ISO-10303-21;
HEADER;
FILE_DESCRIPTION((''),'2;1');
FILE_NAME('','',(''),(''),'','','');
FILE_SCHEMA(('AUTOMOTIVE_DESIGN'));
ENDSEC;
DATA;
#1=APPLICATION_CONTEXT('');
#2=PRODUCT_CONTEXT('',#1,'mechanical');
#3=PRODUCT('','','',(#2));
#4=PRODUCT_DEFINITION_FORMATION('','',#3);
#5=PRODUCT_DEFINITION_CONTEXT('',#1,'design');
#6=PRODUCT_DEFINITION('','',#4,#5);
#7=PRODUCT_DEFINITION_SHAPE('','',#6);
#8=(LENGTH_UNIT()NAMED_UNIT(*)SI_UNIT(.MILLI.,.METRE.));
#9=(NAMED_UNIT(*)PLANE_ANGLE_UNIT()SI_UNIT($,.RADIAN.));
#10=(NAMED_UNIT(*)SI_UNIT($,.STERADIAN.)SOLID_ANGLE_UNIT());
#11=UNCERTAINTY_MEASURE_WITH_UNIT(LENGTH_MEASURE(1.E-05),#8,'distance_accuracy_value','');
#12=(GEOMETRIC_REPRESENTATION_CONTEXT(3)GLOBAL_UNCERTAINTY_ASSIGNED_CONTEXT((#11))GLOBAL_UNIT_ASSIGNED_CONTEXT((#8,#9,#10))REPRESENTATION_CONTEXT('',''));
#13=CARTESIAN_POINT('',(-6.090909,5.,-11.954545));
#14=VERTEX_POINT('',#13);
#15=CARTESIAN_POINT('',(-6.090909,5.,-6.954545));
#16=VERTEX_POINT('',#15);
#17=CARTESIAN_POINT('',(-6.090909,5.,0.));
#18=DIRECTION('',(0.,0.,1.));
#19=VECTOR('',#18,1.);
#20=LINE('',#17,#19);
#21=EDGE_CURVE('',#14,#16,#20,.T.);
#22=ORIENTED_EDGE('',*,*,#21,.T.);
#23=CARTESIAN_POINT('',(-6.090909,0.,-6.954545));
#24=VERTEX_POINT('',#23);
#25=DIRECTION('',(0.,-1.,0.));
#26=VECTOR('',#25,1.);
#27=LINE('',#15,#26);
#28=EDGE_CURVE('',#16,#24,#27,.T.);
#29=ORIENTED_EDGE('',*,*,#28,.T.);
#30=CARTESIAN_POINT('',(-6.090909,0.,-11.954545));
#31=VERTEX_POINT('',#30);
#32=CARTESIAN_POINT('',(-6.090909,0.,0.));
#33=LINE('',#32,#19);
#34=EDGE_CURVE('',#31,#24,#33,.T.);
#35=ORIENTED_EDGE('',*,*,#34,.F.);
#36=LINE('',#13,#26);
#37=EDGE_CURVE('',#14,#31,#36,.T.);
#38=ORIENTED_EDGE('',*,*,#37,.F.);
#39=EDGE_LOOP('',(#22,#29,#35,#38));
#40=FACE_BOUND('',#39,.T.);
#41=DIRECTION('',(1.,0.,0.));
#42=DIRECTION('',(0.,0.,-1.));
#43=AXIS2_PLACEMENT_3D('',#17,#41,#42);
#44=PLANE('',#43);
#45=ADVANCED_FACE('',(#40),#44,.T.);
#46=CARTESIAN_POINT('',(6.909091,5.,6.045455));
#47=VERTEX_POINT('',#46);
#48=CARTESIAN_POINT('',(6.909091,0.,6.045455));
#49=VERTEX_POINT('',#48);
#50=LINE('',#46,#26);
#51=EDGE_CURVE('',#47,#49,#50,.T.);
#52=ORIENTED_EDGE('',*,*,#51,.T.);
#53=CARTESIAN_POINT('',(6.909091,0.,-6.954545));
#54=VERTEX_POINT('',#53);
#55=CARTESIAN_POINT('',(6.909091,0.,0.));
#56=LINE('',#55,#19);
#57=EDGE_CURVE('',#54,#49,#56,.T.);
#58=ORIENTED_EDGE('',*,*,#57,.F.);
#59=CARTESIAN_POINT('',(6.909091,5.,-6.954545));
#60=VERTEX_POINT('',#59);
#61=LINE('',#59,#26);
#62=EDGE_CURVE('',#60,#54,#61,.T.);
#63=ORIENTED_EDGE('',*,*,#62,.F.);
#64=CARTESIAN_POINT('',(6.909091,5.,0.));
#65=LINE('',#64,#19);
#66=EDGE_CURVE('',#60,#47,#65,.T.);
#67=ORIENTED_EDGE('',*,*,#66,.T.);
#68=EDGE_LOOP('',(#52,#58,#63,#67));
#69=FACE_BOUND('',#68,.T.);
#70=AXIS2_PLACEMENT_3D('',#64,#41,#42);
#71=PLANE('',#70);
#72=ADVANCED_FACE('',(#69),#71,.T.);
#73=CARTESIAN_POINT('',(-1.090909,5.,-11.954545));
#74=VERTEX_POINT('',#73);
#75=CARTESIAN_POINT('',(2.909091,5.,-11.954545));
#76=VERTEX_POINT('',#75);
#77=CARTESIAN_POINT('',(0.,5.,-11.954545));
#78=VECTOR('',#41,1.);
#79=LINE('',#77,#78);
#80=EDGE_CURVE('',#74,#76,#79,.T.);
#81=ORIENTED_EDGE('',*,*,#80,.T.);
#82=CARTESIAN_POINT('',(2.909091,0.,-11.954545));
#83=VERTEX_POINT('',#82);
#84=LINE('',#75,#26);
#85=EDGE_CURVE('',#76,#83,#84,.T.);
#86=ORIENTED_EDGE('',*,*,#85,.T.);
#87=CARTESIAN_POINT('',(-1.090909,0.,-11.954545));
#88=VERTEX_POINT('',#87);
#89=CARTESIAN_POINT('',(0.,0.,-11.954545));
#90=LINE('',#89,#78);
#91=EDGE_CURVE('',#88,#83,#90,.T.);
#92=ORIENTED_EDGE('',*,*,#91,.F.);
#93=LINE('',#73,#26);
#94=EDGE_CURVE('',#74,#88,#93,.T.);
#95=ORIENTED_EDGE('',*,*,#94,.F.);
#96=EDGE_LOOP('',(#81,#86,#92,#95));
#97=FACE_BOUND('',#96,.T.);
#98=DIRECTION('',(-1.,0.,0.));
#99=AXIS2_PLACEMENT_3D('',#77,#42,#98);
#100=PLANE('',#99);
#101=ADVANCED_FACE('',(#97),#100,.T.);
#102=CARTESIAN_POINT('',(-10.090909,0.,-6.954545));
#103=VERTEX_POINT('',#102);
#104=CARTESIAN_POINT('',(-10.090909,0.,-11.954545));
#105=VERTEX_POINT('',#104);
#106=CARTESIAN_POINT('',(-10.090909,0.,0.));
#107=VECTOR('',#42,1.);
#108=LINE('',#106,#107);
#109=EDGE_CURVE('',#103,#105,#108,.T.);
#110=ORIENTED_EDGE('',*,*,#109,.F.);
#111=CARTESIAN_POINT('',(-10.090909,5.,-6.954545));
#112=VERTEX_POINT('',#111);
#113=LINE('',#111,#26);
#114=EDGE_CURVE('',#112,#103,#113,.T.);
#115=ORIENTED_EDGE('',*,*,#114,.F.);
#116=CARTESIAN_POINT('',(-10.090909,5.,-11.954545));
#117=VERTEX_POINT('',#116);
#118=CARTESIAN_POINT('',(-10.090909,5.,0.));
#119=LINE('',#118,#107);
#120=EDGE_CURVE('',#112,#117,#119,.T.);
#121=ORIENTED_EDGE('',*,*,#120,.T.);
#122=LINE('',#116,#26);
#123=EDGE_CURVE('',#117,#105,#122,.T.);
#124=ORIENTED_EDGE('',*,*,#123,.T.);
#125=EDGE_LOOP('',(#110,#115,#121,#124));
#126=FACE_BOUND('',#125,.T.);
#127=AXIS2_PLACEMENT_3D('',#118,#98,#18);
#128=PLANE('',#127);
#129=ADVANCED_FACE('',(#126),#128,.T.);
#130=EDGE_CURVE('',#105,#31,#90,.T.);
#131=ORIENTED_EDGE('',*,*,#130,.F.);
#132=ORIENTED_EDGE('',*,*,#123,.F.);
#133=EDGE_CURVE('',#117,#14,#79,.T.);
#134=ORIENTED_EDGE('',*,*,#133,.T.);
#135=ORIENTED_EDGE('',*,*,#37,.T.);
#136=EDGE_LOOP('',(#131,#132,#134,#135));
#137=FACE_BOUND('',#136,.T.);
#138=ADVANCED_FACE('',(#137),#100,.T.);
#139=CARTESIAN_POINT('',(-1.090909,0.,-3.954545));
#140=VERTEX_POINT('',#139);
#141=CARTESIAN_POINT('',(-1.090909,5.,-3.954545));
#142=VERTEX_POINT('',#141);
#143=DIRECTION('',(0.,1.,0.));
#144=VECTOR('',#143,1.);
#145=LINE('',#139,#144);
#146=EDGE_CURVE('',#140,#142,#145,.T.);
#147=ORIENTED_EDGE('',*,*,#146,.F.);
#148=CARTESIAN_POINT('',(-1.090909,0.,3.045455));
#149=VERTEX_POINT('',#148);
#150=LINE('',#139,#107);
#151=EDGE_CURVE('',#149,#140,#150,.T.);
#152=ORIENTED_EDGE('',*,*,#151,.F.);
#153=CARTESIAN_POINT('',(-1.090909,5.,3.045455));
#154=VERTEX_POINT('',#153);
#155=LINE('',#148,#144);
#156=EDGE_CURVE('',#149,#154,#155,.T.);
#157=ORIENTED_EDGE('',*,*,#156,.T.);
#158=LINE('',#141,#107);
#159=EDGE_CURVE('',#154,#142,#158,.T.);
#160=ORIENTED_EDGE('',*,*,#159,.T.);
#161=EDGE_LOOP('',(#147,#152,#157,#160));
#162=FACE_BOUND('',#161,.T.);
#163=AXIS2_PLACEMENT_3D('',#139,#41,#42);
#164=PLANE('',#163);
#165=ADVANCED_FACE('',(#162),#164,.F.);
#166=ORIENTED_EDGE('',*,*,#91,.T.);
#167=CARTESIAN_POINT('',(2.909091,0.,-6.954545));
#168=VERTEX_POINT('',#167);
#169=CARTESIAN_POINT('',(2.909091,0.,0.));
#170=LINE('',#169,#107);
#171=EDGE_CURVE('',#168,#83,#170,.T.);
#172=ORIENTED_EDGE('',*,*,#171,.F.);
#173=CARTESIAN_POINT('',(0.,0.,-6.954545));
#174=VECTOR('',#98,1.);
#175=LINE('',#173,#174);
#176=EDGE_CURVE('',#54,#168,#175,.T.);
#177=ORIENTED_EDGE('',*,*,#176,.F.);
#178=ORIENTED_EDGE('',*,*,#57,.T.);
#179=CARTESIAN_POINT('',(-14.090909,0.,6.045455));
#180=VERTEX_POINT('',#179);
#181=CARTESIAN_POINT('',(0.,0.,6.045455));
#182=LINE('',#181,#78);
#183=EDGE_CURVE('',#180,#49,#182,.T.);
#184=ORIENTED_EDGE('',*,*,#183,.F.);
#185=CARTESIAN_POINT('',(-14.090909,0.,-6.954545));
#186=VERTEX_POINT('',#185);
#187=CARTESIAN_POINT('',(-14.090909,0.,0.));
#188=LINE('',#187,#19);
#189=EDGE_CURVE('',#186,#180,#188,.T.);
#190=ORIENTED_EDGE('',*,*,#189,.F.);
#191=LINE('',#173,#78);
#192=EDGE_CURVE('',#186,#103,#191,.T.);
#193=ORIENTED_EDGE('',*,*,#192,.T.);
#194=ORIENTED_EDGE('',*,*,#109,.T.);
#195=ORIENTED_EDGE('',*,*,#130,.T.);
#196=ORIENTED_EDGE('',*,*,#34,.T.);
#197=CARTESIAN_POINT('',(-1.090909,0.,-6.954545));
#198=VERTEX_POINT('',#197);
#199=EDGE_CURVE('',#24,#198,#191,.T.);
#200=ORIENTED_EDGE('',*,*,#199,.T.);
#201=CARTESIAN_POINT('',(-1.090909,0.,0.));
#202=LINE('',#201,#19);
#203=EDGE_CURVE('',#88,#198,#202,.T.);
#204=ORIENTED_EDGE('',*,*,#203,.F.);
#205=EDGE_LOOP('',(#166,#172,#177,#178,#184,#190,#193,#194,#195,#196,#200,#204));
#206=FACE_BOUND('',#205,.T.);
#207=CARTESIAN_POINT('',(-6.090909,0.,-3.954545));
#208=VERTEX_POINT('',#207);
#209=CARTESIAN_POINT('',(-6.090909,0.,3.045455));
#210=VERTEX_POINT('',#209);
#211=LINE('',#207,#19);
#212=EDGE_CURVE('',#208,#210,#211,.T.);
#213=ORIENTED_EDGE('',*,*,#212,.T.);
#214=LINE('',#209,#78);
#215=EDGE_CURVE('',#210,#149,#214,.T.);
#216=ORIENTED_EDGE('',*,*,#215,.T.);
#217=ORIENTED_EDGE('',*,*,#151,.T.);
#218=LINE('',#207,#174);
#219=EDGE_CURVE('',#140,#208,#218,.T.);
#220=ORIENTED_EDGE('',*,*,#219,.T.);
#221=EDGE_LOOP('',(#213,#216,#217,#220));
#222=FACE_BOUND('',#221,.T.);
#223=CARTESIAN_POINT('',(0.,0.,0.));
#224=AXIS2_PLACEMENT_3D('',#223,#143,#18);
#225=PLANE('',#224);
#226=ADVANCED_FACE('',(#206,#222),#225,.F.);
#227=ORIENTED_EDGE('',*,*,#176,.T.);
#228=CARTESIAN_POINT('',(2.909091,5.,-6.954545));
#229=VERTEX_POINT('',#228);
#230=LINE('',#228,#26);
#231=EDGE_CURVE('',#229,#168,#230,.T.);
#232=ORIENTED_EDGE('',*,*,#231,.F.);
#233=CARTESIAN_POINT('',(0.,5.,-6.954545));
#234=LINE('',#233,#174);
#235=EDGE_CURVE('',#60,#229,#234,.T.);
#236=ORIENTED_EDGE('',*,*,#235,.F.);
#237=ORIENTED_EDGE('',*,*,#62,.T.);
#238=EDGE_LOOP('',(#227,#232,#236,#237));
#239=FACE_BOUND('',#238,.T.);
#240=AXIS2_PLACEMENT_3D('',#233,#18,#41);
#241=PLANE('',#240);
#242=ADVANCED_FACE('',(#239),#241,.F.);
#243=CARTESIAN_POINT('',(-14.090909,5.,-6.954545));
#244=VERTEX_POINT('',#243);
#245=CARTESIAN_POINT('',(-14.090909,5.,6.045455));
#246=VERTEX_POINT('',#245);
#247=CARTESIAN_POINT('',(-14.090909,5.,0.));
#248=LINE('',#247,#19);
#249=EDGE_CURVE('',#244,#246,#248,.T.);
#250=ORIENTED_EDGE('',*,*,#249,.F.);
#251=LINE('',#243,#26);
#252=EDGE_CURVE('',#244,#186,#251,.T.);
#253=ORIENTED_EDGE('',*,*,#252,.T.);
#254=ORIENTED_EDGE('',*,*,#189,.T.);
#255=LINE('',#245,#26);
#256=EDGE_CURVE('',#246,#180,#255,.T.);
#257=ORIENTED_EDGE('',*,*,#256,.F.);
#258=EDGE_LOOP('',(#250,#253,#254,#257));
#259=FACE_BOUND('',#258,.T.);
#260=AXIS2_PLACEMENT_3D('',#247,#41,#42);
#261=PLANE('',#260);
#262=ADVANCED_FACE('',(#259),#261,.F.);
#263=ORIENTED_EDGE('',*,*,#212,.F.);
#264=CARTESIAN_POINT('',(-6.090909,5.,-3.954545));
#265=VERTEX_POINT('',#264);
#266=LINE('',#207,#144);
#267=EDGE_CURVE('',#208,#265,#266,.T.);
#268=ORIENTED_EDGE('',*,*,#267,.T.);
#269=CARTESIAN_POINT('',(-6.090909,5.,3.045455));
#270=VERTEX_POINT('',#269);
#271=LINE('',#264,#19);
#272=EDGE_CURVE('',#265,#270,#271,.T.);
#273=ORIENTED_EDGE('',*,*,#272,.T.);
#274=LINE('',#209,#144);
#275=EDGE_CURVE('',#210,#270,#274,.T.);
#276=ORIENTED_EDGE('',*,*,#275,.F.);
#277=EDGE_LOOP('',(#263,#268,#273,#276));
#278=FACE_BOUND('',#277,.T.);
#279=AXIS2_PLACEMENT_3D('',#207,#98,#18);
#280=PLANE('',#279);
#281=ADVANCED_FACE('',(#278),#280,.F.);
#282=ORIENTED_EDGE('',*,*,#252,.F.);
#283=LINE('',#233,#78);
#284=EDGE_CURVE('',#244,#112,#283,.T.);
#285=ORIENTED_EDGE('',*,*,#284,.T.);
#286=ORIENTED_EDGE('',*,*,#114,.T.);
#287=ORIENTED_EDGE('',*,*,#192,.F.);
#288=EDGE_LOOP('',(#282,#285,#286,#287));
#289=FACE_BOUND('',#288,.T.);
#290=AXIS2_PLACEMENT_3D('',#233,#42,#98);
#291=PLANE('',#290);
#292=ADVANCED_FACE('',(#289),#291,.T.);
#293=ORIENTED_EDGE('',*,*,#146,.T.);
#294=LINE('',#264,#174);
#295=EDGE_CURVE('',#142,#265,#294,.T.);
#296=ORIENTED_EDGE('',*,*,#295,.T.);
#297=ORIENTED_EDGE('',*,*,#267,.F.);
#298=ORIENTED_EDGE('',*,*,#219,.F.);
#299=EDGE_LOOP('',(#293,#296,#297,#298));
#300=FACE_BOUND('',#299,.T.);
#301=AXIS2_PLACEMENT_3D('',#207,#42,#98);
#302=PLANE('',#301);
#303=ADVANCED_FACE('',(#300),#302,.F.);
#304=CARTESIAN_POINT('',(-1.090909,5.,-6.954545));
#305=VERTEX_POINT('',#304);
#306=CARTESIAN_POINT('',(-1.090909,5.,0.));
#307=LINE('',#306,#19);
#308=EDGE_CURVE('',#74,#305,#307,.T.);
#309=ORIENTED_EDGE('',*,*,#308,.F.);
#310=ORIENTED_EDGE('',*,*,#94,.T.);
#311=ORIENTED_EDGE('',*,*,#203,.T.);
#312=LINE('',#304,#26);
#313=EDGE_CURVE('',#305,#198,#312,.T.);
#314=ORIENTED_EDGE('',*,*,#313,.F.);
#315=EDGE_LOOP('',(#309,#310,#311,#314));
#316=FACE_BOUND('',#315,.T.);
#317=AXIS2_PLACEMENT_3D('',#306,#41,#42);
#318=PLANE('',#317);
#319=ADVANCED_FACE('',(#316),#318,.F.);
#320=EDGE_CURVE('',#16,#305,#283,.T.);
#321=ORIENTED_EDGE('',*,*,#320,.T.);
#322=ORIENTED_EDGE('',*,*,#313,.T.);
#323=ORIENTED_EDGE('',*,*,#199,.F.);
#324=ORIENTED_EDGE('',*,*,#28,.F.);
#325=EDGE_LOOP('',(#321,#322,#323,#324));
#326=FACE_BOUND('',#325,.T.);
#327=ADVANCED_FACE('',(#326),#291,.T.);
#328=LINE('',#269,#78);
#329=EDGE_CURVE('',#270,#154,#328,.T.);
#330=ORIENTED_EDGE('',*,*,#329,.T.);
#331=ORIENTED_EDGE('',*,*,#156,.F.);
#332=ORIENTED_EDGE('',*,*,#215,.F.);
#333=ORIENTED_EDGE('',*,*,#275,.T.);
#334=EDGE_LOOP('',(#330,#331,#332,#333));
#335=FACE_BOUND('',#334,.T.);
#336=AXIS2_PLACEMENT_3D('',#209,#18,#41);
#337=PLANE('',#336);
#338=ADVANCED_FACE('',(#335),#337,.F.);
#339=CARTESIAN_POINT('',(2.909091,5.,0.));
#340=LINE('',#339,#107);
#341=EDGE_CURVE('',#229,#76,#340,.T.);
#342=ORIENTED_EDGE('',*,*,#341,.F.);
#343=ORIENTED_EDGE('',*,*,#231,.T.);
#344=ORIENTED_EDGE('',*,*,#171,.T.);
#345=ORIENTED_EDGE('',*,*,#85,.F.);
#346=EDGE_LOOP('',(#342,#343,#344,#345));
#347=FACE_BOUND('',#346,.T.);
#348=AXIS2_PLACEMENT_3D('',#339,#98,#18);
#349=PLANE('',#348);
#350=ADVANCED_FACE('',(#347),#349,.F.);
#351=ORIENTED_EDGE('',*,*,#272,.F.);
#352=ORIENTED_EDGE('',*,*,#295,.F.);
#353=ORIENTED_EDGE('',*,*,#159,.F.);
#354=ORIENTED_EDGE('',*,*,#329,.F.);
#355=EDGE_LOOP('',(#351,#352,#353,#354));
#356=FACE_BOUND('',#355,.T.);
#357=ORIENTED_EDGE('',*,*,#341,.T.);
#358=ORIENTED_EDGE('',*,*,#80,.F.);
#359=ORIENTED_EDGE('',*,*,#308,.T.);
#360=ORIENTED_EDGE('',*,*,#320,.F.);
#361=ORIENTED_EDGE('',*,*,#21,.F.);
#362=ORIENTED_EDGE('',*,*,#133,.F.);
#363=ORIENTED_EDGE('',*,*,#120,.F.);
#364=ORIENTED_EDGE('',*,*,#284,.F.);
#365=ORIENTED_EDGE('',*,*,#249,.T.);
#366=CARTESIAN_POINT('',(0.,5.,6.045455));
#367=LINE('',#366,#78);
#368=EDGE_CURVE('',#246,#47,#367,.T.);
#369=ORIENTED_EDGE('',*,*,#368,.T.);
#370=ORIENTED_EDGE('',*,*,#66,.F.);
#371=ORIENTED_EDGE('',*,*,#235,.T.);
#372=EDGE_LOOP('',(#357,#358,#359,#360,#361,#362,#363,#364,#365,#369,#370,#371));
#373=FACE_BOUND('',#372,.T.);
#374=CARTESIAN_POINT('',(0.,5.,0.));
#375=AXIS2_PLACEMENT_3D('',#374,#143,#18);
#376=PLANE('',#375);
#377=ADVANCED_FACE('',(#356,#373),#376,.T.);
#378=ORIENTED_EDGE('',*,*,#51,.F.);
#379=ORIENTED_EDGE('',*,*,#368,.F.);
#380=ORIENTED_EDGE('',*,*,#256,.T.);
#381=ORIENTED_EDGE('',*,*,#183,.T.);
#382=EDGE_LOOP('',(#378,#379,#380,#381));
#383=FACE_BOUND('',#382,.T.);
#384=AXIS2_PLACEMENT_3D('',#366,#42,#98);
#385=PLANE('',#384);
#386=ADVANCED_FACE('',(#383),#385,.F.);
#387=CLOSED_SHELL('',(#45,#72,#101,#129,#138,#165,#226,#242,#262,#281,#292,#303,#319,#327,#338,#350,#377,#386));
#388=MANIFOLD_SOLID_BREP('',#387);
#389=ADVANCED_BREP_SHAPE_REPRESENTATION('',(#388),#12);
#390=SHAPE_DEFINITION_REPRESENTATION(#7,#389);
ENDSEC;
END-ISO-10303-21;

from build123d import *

# Parameters (mm, degrees)
SALIENTE_EXTRUIR1_DEPTH = 5
CROQUIS2_W              = 5
CROQUIS2_H              = 7
CORTAR_EXTRUIR1_DEPTH   = 5


with BuildPart() as part:
    # Croquis1 → Saliente-Extruir1 (new body)
    with BuildSketch(Plane(origin=(0, 0, 0), x_dir=(1, 0, 0), z_dir=(0, 1, 0))):
        Polygon((-6.090909091, 11.954545455), (-10.090909091, 11.954545455), (-10.090909091, 6.954545455), (-14.090909091, 6.954545455), (-14.090909091, -6.045454545), (6.909090909, -6.045454545), (6.909090909, 6.954545455), (2.909090909, 6.954545455), (2.909090909, 11.954545455), (-1.090909091, 11.954545455), (-1.090909091, 6.954545455), (-6.090909091, 6.954545455), align=None)
    extrude(amount=SALIENTE_EXTRUIR1_DEPTH)

    # Croquis2 → Cortar-Extruir1 (cut)
    with BuildSketch(Plane(origin=(0, 5, 0), x_dir=(1, 0, 0), z_dir=(0, 1, 0))):
        with Locations((-3.590909091, 0.454545455)):
            Rectangle(CROQUIS2_W, CROQUIS2_H)
    extrude(amount=-CORTAR_EXTRUIR1_DEPTH, mode=Mode.SUBTRACT)


solid = part.part
